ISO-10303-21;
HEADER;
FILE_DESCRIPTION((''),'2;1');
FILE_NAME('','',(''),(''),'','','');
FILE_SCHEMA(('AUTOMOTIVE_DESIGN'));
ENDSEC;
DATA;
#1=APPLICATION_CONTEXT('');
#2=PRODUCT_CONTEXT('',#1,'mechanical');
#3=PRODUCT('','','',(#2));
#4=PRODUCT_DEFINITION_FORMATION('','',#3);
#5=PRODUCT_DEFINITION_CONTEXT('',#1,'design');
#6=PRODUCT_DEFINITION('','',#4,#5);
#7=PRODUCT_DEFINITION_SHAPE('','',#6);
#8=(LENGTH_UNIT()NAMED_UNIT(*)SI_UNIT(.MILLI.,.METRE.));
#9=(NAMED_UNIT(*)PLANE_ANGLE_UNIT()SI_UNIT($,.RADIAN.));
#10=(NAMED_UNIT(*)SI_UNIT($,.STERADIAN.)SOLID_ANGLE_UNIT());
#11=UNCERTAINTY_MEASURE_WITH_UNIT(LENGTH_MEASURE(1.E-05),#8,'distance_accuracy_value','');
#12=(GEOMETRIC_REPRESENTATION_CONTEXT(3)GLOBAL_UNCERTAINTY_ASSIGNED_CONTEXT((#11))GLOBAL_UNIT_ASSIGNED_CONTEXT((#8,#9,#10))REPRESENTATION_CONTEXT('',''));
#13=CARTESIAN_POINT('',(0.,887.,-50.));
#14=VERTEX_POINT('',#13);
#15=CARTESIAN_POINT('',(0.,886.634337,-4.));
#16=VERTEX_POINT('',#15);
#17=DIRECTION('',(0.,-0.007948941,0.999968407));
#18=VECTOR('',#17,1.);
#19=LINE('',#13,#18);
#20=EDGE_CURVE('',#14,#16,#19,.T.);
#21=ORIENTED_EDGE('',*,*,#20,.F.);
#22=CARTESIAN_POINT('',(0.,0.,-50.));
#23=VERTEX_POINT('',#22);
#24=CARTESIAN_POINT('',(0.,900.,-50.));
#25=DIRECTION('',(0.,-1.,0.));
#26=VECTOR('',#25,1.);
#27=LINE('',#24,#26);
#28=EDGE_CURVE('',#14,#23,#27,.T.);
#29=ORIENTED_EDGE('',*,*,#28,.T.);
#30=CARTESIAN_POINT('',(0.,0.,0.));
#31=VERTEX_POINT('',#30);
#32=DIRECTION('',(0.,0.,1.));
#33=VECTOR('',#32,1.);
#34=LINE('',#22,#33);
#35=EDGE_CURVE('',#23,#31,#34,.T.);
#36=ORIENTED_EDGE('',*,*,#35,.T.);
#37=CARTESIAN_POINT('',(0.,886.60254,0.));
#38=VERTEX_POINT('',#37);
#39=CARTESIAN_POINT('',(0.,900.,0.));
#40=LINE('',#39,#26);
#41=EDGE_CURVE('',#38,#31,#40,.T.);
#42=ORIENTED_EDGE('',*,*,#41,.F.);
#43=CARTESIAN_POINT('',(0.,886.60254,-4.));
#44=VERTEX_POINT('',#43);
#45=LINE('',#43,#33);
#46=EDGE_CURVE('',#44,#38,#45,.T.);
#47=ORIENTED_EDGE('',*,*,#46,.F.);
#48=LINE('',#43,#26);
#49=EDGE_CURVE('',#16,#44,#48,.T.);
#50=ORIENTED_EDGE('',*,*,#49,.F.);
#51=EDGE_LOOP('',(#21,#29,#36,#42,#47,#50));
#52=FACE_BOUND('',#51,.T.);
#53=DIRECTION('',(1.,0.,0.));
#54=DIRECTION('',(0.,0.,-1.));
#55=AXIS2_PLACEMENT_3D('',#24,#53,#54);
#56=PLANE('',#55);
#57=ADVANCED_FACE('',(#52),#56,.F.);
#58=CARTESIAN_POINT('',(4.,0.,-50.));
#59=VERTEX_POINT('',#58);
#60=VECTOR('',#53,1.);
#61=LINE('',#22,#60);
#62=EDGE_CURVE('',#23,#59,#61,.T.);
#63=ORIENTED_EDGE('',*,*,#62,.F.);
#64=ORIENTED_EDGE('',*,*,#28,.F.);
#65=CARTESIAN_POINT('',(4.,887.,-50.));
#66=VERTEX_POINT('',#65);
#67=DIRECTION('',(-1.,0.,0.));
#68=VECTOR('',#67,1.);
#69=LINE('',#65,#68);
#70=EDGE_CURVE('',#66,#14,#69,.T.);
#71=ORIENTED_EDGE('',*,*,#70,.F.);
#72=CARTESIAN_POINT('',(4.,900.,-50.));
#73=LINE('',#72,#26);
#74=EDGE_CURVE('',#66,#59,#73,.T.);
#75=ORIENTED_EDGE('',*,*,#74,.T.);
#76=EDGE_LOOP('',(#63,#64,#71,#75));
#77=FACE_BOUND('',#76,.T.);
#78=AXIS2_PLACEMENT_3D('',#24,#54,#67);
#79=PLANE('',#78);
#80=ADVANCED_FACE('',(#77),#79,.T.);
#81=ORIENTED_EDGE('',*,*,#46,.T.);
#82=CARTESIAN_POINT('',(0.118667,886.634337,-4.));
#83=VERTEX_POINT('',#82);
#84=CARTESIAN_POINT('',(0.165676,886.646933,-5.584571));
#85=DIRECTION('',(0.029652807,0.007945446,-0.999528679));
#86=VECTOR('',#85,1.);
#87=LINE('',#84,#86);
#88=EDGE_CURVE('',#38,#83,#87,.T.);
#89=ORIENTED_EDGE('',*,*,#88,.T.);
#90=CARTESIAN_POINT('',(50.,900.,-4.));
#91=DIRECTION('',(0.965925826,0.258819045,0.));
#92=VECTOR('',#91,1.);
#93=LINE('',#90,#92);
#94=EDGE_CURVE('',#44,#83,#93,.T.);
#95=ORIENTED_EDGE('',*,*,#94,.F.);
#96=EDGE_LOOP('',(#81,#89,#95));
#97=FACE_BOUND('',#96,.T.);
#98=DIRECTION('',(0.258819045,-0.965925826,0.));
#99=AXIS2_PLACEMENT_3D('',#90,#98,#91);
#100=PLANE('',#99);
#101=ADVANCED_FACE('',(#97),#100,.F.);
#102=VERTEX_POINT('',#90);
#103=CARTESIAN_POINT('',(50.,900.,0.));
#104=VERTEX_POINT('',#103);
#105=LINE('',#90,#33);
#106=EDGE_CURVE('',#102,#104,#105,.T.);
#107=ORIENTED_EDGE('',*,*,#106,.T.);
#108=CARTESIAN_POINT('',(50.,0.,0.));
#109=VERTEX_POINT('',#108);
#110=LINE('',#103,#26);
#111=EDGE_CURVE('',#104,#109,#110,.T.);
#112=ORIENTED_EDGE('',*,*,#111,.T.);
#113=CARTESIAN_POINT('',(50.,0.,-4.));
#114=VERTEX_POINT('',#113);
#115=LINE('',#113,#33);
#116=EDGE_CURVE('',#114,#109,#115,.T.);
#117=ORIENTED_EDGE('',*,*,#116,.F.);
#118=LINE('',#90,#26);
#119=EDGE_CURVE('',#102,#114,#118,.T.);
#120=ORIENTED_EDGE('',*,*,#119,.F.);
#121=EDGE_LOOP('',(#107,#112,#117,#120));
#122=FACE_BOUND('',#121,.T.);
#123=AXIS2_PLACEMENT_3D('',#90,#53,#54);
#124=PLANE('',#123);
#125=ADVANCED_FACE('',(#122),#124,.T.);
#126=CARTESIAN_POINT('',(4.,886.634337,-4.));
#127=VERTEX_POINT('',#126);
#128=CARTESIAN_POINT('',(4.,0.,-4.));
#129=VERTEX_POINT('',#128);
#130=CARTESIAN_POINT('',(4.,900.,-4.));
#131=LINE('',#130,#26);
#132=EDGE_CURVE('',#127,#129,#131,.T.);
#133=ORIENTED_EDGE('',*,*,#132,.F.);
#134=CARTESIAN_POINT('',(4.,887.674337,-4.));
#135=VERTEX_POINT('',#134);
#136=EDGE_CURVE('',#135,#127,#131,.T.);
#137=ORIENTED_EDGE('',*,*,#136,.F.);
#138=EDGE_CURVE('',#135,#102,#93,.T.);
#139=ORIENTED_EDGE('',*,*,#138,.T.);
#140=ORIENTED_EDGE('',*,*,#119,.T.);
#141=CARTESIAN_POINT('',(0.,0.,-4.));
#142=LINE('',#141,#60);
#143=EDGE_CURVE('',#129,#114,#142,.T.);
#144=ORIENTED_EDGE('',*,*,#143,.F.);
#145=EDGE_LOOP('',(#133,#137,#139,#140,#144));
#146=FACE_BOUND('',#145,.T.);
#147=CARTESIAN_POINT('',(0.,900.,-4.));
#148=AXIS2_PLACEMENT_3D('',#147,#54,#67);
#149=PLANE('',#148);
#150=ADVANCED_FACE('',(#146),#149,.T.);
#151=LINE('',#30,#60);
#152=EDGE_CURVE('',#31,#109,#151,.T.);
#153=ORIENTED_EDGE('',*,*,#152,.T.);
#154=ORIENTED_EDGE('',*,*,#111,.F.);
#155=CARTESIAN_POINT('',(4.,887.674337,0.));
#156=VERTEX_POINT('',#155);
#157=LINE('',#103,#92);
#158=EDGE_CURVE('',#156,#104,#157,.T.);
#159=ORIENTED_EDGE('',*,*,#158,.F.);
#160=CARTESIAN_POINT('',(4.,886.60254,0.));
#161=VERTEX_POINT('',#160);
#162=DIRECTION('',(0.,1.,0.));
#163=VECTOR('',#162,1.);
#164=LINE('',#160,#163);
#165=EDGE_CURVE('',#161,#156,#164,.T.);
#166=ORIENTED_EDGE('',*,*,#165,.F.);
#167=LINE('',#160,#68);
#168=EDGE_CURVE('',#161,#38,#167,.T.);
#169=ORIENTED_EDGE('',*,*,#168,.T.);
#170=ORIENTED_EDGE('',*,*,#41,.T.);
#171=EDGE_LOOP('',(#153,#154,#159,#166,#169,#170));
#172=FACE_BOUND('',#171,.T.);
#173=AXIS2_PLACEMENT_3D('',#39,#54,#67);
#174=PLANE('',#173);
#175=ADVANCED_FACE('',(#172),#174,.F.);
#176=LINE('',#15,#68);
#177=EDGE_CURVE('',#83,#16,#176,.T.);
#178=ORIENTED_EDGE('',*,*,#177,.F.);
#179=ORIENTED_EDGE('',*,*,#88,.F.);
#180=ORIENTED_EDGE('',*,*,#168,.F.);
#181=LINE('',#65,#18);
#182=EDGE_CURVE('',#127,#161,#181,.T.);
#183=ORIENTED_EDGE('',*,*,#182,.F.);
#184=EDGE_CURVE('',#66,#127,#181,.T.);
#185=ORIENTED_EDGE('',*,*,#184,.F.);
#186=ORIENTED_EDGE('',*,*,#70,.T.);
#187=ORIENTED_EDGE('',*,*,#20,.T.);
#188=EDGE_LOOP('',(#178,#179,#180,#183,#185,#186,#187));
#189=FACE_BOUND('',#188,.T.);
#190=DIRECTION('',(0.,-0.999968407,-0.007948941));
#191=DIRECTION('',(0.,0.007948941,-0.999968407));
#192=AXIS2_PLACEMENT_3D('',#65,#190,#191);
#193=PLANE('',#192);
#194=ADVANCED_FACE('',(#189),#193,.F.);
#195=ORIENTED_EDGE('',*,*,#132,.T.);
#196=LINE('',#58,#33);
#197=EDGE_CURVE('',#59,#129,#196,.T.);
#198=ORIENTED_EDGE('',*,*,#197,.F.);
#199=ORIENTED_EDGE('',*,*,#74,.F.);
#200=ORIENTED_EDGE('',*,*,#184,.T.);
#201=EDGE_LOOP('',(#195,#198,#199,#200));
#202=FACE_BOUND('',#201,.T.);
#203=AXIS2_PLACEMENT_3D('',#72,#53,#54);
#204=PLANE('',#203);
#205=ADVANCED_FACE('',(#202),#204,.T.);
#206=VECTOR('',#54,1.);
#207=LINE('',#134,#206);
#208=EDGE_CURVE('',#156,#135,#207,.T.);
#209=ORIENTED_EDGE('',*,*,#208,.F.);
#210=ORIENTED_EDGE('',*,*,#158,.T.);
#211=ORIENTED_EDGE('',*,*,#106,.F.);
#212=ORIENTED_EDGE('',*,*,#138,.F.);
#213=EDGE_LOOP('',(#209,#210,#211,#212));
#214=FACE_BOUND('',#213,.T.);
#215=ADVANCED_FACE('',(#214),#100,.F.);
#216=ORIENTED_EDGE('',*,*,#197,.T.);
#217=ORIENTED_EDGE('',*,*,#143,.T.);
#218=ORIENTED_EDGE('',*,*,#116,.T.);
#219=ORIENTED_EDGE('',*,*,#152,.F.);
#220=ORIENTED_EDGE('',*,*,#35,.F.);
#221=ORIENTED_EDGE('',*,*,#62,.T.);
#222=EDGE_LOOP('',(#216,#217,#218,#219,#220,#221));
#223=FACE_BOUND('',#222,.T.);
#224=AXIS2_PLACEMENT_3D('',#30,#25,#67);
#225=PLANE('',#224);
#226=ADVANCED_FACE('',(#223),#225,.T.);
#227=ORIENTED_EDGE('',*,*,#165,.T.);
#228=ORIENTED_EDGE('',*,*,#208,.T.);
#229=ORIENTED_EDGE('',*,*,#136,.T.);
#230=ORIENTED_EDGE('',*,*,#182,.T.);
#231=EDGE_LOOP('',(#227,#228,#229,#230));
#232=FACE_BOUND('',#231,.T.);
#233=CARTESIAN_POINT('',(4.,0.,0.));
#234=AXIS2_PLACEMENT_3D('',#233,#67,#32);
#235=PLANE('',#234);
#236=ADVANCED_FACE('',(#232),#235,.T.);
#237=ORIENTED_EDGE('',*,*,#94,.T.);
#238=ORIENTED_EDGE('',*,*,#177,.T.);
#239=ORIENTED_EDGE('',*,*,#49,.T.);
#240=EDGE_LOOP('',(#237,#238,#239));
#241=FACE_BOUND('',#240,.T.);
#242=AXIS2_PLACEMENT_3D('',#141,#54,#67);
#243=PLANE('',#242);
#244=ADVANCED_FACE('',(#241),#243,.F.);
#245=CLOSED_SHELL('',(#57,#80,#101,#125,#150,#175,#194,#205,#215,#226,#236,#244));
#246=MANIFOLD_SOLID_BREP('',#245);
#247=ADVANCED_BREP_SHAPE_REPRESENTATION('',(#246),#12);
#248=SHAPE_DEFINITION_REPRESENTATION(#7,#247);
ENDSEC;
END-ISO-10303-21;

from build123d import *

# Parameters (mm, degrees)
EXTRUDE_1_DEPTH     = 900
CUT_EXTRUDE_1_DEPTH = 4
CUT_EXTRUDE_2_DEPTH = 4


with BuildPart() as part:
    # Эскиз1 → Вытянуть-Тонкостенный1 (new body)
    with BuildSketch(Plane(origin=(0, 0, 0), x_dir=(1, 0, 0), z_dir=(0, 1, 0))):
        Polygon((0, 50), (0, 0), (50, 0), (50, 4), (4, 4), (4, 50), align=None)
    extrude(amount=EXTRUDE_1_DEPTH)

    # Эскиз3 → Вырез-Вытянуть1 (cut)
    with BuildSketch(Plane.XY):
        Polygon((0, 900), (50, 900), (0, 886.602540378), align=None)
    extrude(amount=-CUT_EXTRUDE_1_DEPTH, mode=Mode.SUBTRACT)

    # Эскиз4 → Вырез-Вытянуть2 (cut)
    with BuildSketch(Plane.ZY):
        Polygon((0, 900), (-50, 900), (-50, 887), (0, 886.602540378), align=None)
    extrude(amount=-CUT_EXTRUDE_2_DEPTH, mode=Mode.SUBTRACT)


solid = part.part
